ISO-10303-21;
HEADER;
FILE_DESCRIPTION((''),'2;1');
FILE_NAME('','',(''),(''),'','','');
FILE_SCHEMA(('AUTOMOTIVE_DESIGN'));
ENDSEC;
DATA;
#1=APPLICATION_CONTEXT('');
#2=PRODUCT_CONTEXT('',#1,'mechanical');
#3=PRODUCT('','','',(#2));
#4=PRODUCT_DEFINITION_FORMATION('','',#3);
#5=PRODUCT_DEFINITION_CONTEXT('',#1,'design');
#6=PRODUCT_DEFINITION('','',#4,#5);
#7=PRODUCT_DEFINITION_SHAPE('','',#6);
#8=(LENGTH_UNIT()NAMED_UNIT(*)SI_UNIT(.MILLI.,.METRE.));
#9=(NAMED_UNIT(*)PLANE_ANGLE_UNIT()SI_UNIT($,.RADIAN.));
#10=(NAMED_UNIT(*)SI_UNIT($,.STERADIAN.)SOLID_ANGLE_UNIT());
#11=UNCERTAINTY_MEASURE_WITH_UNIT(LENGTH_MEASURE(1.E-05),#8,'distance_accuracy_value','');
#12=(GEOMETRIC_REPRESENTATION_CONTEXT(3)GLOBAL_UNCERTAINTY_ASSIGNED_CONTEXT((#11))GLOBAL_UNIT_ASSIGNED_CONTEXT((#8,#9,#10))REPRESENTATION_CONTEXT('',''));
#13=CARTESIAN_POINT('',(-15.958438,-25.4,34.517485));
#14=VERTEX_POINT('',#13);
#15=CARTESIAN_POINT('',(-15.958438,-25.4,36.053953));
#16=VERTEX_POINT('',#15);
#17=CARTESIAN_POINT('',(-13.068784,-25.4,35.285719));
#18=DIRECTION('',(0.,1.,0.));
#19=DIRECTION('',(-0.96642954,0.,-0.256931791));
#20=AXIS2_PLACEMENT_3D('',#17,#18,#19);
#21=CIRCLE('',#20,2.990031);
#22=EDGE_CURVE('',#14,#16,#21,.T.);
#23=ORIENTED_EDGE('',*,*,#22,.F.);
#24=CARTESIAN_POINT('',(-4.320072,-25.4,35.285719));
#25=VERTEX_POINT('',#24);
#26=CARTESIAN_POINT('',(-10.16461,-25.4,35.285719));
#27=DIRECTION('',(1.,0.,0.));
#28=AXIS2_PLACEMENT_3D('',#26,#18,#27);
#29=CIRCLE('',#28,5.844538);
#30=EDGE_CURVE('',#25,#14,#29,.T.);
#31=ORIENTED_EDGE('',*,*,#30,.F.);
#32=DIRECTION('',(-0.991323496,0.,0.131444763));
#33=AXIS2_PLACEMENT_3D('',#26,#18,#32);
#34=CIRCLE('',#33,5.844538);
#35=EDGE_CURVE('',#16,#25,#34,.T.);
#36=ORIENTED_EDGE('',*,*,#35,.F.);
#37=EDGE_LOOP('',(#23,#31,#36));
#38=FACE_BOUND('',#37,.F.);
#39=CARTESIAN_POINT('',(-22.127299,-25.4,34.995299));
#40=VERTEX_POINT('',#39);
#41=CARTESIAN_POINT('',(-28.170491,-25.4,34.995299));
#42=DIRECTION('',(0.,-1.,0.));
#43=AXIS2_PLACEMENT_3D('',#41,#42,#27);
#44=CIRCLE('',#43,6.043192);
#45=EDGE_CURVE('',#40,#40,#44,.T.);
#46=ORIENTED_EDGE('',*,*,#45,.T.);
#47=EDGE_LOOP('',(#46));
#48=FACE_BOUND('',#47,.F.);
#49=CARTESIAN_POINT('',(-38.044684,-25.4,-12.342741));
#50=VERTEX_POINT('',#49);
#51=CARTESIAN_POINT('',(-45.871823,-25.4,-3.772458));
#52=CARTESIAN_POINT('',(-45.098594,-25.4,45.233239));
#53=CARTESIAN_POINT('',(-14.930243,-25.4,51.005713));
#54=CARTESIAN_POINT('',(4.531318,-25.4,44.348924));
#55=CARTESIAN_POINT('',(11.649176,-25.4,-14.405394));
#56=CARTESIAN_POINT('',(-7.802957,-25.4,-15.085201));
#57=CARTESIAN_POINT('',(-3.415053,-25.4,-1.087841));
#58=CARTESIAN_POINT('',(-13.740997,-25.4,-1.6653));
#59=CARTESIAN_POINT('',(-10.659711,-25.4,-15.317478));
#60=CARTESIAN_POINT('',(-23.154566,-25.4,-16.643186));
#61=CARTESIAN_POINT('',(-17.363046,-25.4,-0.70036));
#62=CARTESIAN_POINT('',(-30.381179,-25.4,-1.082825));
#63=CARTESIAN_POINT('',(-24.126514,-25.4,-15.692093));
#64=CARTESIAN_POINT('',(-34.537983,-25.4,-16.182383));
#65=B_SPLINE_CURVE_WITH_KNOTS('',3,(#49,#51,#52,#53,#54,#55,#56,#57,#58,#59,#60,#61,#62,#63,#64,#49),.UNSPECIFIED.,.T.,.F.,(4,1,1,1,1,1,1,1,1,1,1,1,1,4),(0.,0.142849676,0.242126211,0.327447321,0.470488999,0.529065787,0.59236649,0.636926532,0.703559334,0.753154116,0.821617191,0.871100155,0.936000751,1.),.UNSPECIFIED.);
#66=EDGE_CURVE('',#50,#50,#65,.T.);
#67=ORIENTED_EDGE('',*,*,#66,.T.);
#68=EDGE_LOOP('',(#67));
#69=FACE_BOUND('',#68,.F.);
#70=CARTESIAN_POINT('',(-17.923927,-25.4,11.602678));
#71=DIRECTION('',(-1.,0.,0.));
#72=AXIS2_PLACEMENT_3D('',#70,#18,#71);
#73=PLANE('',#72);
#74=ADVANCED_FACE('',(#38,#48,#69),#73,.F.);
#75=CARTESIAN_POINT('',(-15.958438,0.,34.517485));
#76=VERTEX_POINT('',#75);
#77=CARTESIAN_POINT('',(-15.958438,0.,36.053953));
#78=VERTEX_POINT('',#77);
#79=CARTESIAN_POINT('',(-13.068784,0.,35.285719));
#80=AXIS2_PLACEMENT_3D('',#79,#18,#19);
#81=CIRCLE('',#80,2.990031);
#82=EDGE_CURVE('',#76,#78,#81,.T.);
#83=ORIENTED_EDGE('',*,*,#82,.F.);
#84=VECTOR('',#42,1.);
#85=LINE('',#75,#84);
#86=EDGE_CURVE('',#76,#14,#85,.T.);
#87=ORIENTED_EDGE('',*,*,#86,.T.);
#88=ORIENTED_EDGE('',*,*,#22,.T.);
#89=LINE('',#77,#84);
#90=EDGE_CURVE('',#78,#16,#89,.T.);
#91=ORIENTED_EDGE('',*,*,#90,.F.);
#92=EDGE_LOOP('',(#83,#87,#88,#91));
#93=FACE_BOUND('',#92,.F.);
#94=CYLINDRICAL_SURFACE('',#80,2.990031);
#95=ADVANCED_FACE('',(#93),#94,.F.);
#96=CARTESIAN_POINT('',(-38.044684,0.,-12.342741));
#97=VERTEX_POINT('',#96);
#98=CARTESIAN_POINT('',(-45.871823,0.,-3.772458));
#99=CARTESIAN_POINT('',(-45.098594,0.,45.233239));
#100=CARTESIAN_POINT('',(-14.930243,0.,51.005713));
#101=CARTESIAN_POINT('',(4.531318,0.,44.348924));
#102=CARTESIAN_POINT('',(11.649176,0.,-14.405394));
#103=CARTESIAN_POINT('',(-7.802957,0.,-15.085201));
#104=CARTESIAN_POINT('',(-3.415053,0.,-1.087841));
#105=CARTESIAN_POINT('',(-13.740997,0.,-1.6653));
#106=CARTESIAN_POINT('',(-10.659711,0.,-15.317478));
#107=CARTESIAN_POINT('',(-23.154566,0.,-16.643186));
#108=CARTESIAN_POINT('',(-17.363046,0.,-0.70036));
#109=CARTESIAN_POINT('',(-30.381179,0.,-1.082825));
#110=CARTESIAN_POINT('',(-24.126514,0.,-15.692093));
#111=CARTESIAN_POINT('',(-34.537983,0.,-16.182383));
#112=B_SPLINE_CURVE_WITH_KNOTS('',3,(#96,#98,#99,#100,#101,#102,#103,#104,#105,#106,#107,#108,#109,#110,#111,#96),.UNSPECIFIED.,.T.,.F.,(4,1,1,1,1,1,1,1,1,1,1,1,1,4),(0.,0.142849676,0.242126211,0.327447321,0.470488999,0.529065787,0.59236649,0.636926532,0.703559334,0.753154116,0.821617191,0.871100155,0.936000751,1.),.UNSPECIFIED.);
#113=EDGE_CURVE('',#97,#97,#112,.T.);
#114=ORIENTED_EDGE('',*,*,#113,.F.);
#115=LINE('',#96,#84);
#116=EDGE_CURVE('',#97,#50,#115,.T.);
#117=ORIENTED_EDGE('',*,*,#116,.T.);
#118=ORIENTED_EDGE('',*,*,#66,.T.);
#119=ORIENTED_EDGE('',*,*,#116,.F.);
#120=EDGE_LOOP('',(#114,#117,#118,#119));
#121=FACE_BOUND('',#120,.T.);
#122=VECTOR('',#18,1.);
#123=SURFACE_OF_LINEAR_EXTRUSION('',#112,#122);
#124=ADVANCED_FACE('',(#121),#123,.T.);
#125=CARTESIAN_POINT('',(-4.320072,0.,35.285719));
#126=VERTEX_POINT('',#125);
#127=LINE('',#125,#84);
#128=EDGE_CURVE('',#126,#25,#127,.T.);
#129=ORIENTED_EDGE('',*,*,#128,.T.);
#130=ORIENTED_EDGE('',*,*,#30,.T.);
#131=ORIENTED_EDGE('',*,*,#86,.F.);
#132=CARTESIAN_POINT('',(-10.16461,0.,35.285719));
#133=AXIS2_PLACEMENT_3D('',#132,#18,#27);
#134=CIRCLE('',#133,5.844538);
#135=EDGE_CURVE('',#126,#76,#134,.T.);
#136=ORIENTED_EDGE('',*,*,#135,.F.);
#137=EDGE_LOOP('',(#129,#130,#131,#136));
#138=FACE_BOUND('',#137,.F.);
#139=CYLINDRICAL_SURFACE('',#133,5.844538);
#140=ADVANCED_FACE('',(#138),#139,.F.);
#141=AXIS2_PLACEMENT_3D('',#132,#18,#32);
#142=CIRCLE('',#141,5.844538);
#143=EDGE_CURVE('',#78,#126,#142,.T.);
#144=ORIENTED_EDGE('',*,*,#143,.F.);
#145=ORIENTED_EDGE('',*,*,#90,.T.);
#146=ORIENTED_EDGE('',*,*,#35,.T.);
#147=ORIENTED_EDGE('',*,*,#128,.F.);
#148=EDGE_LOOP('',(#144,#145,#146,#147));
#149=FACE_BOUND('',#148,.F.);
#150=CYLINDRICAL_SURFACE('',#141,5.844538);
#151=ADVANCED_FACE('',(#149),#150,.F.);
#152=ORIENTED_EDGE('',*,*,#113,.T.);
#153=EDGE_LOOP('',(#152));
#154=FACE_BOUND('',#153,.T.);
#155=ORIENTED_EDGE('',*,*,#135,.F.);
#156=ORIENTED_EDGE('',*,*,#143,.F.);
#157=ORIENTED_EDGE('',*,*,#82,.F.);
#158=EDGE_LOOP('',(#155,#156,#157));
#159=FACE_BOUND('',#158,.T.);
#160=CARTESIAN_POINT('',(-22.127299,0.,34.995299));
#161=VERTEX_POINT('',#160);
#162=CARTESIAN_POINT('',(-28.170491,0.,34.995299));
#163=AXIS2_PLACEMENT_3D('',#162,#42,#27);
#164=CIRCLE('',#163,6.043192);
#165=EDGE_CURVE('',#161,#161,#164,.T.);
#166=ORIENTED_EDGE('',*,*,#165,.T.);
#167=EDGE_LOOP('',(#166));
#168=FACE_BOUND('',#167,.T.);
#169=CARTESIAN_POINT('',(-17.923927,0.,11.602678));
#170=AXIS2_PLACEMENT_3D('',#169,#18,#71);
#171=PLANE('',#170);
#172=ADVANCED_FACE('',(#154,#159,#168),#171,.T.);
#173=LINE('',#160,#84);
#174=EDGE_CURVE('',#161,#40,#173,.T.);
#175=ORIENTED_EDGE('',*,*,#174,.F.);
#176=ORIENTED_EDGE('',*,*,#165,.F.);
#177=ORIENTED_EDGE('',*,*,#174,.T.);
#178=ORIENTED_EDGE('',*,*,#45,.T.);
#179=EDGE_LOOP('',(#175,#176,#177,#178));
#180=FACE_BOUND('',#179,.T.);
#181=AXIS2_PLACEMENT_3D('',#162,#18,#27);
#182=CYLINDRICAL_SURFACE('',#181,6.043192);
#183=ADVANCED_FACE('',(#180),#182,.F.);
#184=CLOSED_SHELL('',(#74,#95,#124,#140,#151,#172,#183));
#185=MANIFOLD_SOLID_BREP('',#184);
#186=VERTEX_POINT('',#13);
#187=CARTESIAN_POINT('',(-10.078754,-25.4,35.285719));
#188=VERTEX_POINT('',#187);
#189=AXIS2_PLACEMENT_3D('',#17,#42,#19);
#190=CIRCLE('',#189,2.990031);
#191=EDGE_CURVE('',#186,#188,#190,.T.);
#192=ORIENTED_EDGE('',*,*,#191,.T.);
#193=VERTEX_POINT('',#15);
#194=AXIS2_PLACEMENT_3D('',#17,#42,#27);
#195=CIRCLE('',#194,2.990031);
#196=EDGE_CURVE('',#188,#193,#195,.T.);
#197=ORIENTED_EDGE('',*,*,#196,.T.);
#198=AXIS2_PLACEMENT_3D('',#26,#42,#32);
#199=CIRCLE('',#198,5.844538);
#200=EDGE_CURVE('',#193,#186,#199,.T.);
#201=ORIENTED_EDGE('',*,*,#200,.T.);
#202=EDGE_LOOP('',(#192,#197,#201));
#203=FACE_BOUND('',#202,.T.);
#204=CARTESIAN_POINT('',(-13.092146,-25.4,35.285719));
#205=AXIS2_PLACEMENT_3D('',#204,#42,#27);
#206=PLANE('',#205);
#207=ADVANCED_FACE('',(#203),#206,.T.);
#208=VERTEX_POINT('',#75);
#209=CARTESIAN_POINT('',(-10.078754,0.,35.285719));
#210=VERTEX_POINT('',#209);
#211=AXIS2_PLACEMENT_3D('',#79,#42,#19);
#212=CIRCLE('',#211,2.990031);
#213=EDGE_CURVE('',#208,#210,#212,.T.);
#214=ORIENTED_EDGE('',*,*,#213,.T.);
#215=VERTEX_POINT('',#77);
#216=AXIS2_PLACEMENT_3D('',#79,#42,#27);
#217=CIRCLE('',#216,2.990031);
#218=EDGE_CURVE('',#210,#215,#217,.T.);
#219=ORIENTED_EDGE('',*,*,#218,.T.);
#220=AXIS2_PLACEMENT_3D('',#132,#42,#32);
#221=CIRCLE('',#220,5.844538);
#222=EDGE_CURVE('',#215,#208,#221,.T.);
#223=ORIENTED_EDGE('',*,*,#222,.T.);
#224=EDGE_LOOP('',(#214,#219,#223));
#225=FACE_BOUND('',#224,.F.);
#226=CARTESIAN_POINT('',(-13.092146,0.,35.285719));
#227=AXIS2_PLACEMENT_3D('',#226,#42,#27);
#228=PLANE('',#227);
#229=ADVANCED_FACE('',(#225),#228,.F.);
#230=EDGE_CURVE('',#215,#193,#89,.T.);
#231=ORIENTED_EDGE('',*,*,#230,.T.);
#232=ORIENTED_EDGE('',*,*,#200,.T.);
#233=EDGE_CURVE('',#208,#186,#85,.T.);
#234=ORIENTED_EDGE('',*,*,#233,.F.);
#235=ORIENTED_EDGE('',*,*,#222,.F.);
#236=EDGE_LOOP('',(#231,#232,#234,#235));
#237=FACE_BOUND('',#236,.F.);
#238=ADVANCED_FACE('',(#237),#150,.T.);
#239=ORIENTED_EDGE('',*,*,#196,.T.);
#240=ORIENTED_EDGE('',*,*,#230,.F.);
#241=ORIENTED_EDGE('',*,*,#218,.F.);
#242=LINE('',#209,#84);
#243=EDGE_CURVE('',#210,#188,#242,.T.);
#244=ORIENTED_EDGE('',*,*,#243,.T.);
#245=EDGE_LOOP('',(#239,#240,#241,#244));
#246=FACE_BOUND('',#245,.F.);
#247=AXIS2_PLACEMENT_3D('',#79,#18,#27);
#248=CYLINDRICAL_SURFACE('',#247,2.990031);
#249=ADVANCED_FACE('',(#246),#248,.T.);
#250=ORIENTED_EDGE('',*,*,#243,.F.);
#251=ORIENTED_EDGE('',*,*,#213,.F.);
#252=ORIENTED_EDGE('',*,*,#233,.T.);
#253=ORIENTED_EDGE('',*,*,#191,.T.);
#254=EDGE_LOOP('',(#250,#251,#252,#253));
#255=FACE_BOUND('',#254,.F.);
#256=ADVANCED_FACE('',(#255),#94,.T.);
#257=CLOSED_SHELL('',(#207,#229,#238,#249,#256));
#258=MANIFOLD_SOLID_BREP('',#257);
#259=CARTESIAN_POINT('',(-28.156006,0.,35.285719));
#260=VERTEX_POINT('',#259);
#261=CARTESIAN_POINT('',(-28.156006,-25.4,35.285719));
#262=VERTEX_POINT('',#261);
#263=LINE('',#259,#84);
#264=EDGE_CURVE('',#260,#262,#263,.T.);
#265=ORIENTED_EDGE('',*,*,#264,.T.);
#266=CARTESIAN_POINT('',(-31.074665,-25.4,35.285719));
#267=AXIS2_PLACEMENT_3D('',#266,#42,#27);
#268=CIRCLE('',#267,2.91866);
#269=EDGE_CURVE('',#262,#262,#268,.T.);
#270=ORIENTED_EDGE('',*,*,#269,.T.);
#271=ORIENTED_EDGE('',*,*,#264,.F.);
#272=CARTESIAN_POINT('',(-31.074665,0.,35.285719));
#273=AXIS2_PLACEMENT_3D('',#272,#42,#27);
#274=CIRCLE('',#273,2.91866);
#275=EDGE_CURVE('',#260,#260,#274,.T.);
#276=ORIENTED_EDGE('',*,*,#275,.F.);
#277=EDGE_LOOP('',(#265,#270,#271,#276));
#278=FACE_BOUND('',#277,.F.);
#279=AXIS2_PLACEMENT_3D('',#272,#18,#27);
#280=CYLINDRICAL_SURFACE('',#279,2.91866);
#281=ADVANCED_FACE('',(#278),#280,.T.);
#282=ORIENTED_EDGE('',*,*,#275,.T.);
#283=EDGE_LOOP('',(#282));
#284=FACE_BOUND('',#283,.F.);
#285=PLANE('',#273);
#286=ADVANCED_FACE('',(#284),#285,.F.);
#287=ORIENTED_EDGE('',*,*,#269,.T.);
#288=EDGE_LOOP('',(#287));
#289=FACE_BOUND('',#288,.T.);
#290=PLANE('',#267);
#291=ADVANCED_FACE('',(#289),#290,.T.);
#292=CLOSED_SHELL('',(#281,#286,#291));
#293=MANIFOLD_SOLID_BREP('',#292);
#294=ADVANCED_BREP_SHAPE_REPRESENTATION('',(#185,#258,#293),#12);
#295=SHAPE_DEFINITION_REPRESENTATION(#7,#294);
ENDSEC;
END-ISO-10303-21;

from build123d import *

# Parameters (mm, degrees)
F0_R     = 6.0431919973
F1_DEPTH = 25.4
F0_R_2   = 2.9186598428


with BuildPart() as f1:
    # F0 (on Front) → F1 (new body)
    with BuildSketch(Plane.XZ):
        with BuildLine():
            add(Edge.make_bspline(
                [(-38.0446836352, -12.3427407816), (-45.8718230915, -3.7724575686), (-45.0985940397, 45.2332393793), (-14.9302426385, 51.0057128408), (4.5313178015, 44.3489239628), (11.6491762621, -14.4053939947), (-7.8029565367, -15.0852006309), (-3.4150529093, -1.0878406693), (-13.7409969829, -1.6653001257), (-10.6597108632, -15.3174777), (-23.154566088, -16.6431857899), (-17.3630462788, -0.7003596263), (-30.3811789456, -1.0828250538), (-24.1265142603, -15.6920927165), (-34.5379830585, -16.182383253), (-38.0446836352, -12.3427407816)],
                knots=[0, 0, 0, 0, 0.1428496765, 0.2421262111, 0.327447321, 0.4704889987, 0.5290657875, 0.5923664898, 0.6369265318, 0.7035593336, 0.7531541164, 0.8216171907, 0.8711001547, 0.9360007515, 1, 1, 1, 1], degree=3))
        make_face()
        with Locations((-28.1704906374, 34.9952988327)):
            Circle(F0_R, mode=Mode.SUBTRACT)
        with BuildLine():
            ThreePointArc((-15.9584378498, 36.0539526358), (-9.779657243, 41.117565315), (-4.3200722161, 35.285718739))
            ThreePointArc((-4.3200722161, 35.285718739), (-9.779657243, 29.4538721631), (-15.9584378498, 34.5174848423))
            ThreePointArc((-15.9584378498, 34.5174848423), (-16.0588145512, 35.285718739), (-15.9584378498, 36.0539526358))
        make_face(mode=Mode.SUBTRACT)
    extrude(amount=F1_DEPTH)


with BuildPart() as f1b:
    # F0 (on Front) → F1, piece 2 (new body)
    with BuildSketch(Plane.XZ):
        with Locations((-31.0746654868, 35.285718739)):
            Circle(F0_R_2)
    extrude(amount=F1_DEPTH)


with BuildPart() as f1c:
    # F0 (on Front) → F1, piece 3 (new body)
    with BuildSketch(Plane.XZ):
        with BuildLine():
            ThreePointArc((-10.0787535054, 35.285718739), (-12.6814021746, 38.2505488906), (-15.9584378498, 36.0539526358))
            ThreePointArc((-15.9584378498, 36.0539526358), (-16.0091480043, 35.285718739), (-15.9584378498, 34.5174848423))
            ThreePointArc((-15.9584378498, 34.5174848423), (-12.6814021746, 32.3208885875), (-10.0787535054, 35.285718739))
        make_face()
    extrude(amount=F1_DEPTH)


solid = Compound([f1.part, f1b.part, f1c.part])
